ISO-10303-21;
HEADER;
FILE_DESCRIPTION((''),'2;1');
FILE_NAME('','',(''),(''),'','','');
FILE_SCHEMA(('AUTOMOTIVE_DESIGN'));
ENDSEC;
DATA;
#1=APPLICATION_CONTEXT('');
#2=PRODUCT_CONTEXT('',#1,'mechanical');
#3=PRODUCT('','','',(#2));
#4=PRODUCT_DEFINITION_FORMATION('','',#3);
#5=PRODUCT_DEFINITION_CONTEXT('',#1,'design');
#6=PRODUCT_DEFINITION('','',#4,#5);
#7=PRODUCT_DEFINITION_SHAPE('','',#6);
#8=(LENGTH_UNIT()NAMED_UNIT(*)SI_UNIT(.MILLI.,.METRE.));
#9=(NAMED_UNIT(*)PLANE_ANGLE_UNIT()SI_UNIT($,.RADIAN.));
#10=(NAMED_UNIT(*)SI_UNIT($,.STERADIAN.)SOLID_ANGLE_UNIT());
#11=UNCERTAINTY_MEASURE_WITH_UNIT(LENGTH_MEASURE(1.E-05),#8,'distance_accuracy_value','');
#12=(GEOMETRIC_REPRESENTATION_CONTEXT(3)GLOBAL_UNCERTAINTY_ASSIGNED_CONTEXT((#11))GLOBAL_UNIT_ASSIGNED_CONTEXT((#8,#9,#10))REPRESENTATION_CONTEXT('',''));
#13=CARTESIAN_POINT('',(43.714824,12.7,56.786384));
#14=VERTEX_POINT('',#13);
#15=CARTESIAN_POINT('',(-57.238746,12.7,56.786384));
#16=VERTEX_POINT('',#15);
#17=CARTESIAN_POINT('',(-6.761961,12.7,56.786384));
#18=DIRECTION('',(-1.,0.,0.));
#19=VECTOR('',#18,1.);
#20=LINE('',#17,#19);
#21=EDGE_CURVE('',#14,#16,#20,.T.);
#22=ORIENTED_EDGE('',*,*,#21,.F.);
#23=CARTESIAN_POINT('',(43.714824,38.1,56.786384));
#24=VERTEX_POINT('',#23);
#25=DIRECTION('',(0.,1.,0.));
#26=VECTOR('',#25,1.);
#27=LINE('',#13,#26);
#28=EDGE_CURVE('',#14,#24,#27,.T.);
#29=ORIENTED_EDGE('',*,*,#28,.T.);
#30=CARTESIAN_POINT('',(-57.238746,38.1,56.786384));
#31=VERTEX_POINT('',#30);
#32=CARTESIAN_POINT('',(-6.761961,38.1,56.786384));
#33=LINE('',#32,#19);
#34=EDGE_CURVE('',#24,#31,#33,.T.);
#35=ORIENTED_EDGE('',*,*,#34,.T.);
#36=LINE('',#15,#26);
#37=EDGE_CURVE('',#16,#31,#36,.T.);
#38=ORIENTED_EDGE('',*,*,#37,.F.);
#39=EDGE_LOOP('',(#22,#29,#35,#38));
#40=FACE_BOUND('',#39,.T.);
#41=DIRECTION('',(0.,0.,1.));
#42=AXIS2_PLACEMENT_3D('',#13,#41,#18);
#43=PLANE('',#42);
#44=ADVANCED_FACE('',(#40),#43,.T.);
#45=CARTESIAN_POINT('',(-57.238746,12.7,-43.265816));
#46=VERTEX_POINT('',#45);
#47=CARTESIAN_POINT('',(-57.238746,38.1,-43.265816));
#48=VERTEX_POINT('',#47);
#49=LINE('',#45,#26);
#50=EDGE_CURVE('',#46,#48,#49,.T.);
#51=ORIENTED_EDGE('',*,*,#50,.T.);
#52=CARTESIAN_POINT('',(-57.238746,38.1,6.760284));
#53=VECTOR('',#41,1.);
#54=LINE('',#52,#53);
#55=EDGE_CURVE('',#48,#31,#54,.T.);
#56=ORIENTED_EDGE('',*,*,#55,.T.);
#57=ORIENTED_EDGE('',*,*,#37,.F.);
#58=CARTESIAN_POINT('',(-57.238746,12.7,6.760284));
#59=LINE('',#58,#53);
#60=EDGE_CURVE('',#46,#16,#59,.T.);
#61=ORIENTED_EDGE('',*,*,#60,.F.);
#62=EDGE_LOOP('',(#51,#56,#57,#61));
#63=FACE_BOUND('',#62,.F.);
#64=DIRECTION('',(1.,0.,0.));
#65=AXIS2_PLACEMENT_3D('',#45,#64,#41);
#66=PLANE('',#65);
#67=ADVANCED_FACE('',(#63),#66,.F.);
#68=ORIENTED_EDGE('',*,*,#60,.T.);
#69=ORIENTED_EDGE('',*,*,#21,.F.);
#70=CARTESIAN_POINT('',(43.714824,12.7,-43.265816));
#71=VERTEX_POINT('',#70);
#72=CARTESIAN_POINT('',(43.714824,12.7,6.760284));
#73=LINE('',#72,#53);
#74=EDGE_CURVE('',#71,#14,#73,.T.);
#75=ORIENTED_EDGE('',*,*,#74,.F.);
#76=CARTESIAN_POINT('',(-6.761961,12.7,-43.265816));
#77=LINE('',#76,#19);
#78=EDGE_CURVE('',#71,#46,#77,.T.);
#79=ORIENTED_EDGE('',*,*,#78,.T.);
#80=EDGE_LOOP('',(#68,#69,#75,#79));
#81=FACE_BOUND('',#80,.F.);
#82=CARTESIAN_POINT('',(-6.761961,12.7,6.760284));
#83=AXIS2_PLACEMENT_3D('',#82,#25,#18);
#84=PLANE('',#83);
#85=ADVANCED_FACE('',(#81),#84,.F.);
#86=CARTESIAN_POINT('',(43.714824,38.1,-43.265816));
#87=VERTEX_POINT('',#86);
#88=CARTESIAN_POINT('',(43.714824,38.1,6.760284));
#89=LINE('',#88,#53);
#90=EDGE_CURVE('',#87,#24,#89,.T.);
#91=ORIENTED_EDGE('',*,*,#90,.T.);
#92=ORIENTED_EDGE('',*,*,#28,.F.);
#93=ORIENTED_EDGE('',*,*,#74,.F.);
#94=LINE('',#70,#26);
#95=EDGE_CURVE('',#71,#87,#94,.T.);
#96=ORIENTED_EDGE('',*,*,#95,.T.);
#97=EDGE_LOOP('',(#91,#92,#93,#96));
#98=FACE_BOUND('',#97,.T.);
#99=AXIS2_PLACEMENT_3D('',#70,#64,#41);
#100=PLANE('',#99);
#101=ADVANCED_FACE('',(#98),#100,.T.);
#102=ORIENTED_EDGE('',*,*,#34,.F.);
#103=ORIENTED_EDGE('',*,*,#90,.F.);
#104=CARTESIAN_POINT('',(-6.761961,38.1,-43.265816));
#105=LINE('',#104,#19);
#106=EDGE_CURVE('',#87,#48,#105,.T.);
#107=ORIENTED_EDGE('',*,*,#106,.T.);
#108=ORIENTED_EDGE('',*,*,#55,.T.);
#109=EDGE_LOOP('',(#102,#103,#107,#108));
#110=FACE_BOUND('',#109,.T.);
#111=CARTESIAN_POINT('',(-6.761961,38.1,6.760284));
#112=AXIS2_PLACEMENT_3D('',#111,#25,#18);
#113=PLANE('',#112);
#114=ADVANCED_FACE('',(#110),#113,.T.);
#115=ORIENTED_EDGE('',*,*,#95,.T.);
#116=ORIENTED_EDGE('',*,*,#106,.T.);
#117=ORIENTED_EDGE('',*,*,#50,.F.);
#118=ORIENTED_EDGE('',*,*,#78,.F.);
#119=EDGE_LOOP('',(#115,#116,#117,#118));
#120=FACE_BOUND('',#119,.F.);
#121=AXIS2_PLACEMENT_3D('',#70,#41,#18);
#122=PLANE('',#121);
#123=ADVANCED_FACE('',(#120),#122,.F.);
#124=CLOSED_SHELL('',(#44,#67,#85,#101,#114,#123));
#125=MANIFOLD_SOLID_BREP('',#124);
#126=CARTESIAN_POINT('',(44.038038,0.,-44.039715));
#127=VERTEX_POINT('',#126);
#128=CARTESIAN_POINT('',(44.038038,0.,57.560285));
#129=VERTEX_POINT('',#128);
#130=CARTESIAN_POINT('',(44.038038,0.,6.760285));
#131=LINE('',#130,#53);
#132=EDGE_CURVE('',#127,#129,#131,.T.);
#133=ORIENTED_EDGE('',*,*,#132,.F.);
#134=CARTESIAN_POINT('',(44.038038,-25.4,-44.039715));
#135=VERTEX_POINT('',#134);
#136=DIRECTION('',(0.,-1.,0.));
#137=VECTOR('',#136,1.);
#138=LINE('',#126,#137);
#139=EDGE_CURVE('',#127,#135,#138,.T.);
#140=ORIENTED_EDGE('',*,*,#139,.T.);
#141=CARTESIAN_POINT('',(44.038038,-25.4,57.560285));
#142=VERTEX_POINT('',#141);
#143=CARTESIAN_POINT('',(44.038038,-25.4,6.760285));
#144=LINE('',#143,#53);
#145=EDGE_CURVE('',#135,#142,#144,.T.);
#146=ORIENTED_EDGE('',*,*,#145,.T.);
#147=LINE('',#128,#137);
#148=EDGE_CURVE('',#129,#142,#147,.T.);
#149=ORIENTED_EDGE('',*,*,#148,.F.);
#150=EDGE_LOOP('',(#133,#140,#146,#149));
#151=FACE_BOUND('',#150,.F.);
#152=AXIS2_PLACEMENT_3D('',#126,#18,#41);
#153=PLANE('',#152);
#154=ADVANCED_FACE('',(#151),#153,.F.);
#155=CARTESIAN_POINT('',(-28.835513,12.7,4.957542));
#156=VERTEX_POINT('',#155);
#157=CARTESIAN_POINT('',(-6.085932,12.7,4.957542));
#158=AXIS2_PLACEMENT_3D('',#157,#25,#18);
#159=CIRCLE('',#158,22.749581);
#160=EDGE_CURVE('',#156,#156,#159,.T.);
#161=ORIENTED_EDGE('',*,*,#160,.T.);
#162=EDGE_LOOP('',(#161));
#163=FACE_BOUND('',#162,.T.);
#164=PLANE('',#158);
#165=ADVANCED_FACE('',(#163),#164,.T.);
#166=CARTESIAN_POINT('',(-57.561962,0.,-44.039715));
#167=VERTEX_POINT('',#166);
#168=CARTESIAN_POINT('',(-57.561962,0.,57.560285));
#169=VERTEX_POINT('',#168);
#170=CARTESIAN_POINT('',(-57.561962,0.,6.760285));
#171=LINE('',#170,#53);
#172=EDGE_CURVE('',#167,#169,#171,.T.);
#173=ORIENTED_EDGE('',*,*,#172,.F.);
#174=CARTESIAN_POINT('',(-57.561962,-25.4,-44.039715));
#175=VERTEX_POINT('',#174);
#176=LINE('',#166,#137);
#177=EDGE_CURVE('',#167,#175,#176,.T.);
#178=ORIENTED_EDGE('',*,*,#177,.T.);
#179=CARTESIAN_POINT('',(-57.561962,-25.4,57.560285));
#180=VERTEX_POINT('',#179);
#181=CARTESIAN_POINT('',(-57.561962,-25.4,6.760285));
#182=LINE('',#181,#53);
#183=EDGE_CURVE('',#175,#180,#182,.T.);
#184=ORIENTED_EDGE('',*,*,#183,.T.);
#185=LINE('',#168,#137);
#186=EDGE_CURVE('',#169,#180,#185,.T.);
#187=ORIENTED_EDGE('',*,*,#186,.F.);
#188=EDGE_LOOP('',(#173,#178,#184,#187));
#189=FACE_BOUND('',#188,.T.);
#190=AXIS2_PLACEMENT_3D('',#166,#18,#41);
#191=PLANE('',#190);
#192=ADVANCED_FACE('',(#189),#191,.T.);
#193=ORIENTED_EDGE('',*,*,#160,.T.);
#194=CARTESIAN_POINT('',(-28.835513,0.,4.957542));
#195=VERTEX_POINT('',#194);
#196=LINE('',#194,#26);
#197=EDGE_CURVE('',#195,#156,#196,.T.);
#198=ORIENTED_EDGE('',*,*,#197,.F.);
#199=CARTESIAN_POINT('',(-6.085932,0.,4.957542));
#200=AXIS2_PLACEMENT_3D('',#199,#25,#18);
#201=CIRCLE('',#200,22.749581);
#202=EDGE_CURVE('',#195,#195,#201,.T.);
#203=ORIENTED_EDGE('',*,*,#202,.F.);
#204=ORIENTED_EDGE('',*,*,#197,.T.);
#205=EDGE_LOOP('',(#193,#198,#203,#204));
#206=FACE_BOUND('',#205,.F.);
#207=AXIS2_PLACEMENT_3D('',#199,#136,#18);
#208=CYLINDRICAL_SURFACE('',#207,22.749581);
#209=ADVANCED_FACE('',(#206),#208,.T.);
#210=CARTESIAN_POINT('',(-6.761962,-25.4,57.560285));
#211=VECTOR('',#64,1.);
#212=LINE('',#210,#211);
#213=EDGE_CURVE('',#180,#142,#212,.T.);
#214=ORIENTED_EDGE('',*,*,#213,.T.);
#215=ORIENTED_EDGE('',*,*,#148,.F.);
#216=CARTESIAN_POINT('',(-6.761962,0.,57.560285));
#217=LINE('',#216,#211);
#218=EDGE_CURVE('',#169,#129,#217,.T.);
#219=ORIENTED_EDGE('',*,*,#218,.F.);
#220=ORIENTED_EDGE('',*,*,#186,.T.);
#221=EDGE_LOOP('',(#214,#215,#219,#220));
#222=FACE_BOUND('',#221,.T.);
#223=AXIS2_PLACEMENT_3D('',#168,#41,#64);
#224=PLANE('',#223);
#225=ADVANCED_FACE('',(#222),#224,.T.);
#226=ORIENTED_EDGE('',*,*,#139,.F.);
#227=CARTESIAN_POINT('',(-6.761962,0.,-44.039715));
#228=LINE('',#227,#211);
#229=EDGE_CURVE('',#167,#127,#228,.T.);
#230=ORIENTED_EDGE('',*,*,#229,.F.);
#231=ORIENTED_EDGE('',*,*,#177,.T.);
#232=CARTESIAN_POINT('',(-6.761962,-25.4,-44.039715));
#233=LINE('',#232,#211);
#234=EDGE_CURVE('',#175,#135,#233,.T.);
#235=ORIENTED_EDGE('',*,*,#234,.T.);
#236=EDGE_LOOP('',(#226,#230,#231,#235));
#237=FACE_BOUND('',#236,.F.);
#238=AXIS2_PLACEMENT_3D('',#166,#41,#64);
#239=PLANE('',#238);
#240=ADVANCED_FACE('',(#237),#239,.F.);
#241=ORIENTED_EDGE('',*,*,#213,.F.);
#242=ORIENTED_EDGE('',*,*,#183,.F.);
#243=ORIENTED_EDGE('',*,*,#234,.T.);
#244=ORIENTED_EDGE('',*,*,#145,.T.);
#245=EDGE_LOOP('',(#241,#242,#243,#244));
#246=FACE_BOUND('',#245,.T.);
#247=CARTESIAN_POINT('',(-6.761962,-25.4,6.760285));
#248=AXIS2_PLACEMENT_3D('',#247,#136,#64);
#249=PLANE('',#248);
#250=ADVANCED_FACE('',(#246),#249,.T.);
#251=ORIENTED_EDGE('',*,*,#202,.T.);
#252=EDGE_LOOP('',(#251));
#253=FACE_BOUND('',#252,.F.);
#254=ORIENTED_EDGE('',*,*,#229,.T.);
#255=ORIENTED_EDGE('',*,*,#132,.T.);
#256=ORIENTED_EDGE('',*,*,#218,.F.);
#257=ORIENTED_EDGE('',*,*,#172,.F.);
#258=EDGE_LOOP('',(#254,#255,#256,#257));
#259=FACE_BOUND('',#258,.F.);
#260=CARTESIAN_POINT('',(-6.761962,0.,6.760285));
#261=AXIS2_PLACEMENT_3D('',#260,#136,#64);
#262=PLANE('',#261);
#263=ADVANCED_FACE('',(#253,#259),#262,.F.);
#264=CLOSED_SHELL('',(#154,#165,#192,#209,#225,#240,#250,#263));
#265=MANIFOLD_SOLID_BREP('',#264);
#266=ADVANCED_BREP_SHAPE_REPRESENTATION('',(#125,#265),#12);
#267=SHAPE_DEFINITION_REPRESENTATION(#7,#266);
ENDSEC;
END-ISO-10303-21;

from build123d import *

# Parameters (mm, degrees)
F0_W     = 101.6
F0_H     = 101.6
F1_DEPTH = 25.4
F2_R     = 22.749581
F3_DEPTH = 12.7
F4_W     = 100.953571
F4_H     = 100.0522
F5_DEPTH = 25.4


with BuildPart() as f1:
    # F0 (on Front) → F1 (new body)
    with BuildSketch(Plane.XZ):
        with Locations((-6.761962, 6.760285)):
            Rectangle(F0_W, F0_H)
    extrude(amount=F1_DEPTH)

    # F2 (on face) → F3 (join)
    with BuildSketch(Plane(origin=(0, 0, 0), x_dir=(-1, 0, 0), z_dir=(0, 1, 0))):
        with Locations((6.085932, 4.957542)):
            Circle(F2_R)
    extrude(amount=F3_DEPTH)


with BuildPart() as f5:
    # F4 (on face) → F5 (new body)
    with BuildSketch(Plane(origin=(0, 12.7, 0), x_dir=(-1, 0, 0), z_dir=(0, 1, 0))):
        with Locations((6.761961, 6.760284)):
            Rectangle(F4_W, F4_H)
    extrude(amount=F5_DEPTH)


solid = Compound([f1.part, f5.part])
